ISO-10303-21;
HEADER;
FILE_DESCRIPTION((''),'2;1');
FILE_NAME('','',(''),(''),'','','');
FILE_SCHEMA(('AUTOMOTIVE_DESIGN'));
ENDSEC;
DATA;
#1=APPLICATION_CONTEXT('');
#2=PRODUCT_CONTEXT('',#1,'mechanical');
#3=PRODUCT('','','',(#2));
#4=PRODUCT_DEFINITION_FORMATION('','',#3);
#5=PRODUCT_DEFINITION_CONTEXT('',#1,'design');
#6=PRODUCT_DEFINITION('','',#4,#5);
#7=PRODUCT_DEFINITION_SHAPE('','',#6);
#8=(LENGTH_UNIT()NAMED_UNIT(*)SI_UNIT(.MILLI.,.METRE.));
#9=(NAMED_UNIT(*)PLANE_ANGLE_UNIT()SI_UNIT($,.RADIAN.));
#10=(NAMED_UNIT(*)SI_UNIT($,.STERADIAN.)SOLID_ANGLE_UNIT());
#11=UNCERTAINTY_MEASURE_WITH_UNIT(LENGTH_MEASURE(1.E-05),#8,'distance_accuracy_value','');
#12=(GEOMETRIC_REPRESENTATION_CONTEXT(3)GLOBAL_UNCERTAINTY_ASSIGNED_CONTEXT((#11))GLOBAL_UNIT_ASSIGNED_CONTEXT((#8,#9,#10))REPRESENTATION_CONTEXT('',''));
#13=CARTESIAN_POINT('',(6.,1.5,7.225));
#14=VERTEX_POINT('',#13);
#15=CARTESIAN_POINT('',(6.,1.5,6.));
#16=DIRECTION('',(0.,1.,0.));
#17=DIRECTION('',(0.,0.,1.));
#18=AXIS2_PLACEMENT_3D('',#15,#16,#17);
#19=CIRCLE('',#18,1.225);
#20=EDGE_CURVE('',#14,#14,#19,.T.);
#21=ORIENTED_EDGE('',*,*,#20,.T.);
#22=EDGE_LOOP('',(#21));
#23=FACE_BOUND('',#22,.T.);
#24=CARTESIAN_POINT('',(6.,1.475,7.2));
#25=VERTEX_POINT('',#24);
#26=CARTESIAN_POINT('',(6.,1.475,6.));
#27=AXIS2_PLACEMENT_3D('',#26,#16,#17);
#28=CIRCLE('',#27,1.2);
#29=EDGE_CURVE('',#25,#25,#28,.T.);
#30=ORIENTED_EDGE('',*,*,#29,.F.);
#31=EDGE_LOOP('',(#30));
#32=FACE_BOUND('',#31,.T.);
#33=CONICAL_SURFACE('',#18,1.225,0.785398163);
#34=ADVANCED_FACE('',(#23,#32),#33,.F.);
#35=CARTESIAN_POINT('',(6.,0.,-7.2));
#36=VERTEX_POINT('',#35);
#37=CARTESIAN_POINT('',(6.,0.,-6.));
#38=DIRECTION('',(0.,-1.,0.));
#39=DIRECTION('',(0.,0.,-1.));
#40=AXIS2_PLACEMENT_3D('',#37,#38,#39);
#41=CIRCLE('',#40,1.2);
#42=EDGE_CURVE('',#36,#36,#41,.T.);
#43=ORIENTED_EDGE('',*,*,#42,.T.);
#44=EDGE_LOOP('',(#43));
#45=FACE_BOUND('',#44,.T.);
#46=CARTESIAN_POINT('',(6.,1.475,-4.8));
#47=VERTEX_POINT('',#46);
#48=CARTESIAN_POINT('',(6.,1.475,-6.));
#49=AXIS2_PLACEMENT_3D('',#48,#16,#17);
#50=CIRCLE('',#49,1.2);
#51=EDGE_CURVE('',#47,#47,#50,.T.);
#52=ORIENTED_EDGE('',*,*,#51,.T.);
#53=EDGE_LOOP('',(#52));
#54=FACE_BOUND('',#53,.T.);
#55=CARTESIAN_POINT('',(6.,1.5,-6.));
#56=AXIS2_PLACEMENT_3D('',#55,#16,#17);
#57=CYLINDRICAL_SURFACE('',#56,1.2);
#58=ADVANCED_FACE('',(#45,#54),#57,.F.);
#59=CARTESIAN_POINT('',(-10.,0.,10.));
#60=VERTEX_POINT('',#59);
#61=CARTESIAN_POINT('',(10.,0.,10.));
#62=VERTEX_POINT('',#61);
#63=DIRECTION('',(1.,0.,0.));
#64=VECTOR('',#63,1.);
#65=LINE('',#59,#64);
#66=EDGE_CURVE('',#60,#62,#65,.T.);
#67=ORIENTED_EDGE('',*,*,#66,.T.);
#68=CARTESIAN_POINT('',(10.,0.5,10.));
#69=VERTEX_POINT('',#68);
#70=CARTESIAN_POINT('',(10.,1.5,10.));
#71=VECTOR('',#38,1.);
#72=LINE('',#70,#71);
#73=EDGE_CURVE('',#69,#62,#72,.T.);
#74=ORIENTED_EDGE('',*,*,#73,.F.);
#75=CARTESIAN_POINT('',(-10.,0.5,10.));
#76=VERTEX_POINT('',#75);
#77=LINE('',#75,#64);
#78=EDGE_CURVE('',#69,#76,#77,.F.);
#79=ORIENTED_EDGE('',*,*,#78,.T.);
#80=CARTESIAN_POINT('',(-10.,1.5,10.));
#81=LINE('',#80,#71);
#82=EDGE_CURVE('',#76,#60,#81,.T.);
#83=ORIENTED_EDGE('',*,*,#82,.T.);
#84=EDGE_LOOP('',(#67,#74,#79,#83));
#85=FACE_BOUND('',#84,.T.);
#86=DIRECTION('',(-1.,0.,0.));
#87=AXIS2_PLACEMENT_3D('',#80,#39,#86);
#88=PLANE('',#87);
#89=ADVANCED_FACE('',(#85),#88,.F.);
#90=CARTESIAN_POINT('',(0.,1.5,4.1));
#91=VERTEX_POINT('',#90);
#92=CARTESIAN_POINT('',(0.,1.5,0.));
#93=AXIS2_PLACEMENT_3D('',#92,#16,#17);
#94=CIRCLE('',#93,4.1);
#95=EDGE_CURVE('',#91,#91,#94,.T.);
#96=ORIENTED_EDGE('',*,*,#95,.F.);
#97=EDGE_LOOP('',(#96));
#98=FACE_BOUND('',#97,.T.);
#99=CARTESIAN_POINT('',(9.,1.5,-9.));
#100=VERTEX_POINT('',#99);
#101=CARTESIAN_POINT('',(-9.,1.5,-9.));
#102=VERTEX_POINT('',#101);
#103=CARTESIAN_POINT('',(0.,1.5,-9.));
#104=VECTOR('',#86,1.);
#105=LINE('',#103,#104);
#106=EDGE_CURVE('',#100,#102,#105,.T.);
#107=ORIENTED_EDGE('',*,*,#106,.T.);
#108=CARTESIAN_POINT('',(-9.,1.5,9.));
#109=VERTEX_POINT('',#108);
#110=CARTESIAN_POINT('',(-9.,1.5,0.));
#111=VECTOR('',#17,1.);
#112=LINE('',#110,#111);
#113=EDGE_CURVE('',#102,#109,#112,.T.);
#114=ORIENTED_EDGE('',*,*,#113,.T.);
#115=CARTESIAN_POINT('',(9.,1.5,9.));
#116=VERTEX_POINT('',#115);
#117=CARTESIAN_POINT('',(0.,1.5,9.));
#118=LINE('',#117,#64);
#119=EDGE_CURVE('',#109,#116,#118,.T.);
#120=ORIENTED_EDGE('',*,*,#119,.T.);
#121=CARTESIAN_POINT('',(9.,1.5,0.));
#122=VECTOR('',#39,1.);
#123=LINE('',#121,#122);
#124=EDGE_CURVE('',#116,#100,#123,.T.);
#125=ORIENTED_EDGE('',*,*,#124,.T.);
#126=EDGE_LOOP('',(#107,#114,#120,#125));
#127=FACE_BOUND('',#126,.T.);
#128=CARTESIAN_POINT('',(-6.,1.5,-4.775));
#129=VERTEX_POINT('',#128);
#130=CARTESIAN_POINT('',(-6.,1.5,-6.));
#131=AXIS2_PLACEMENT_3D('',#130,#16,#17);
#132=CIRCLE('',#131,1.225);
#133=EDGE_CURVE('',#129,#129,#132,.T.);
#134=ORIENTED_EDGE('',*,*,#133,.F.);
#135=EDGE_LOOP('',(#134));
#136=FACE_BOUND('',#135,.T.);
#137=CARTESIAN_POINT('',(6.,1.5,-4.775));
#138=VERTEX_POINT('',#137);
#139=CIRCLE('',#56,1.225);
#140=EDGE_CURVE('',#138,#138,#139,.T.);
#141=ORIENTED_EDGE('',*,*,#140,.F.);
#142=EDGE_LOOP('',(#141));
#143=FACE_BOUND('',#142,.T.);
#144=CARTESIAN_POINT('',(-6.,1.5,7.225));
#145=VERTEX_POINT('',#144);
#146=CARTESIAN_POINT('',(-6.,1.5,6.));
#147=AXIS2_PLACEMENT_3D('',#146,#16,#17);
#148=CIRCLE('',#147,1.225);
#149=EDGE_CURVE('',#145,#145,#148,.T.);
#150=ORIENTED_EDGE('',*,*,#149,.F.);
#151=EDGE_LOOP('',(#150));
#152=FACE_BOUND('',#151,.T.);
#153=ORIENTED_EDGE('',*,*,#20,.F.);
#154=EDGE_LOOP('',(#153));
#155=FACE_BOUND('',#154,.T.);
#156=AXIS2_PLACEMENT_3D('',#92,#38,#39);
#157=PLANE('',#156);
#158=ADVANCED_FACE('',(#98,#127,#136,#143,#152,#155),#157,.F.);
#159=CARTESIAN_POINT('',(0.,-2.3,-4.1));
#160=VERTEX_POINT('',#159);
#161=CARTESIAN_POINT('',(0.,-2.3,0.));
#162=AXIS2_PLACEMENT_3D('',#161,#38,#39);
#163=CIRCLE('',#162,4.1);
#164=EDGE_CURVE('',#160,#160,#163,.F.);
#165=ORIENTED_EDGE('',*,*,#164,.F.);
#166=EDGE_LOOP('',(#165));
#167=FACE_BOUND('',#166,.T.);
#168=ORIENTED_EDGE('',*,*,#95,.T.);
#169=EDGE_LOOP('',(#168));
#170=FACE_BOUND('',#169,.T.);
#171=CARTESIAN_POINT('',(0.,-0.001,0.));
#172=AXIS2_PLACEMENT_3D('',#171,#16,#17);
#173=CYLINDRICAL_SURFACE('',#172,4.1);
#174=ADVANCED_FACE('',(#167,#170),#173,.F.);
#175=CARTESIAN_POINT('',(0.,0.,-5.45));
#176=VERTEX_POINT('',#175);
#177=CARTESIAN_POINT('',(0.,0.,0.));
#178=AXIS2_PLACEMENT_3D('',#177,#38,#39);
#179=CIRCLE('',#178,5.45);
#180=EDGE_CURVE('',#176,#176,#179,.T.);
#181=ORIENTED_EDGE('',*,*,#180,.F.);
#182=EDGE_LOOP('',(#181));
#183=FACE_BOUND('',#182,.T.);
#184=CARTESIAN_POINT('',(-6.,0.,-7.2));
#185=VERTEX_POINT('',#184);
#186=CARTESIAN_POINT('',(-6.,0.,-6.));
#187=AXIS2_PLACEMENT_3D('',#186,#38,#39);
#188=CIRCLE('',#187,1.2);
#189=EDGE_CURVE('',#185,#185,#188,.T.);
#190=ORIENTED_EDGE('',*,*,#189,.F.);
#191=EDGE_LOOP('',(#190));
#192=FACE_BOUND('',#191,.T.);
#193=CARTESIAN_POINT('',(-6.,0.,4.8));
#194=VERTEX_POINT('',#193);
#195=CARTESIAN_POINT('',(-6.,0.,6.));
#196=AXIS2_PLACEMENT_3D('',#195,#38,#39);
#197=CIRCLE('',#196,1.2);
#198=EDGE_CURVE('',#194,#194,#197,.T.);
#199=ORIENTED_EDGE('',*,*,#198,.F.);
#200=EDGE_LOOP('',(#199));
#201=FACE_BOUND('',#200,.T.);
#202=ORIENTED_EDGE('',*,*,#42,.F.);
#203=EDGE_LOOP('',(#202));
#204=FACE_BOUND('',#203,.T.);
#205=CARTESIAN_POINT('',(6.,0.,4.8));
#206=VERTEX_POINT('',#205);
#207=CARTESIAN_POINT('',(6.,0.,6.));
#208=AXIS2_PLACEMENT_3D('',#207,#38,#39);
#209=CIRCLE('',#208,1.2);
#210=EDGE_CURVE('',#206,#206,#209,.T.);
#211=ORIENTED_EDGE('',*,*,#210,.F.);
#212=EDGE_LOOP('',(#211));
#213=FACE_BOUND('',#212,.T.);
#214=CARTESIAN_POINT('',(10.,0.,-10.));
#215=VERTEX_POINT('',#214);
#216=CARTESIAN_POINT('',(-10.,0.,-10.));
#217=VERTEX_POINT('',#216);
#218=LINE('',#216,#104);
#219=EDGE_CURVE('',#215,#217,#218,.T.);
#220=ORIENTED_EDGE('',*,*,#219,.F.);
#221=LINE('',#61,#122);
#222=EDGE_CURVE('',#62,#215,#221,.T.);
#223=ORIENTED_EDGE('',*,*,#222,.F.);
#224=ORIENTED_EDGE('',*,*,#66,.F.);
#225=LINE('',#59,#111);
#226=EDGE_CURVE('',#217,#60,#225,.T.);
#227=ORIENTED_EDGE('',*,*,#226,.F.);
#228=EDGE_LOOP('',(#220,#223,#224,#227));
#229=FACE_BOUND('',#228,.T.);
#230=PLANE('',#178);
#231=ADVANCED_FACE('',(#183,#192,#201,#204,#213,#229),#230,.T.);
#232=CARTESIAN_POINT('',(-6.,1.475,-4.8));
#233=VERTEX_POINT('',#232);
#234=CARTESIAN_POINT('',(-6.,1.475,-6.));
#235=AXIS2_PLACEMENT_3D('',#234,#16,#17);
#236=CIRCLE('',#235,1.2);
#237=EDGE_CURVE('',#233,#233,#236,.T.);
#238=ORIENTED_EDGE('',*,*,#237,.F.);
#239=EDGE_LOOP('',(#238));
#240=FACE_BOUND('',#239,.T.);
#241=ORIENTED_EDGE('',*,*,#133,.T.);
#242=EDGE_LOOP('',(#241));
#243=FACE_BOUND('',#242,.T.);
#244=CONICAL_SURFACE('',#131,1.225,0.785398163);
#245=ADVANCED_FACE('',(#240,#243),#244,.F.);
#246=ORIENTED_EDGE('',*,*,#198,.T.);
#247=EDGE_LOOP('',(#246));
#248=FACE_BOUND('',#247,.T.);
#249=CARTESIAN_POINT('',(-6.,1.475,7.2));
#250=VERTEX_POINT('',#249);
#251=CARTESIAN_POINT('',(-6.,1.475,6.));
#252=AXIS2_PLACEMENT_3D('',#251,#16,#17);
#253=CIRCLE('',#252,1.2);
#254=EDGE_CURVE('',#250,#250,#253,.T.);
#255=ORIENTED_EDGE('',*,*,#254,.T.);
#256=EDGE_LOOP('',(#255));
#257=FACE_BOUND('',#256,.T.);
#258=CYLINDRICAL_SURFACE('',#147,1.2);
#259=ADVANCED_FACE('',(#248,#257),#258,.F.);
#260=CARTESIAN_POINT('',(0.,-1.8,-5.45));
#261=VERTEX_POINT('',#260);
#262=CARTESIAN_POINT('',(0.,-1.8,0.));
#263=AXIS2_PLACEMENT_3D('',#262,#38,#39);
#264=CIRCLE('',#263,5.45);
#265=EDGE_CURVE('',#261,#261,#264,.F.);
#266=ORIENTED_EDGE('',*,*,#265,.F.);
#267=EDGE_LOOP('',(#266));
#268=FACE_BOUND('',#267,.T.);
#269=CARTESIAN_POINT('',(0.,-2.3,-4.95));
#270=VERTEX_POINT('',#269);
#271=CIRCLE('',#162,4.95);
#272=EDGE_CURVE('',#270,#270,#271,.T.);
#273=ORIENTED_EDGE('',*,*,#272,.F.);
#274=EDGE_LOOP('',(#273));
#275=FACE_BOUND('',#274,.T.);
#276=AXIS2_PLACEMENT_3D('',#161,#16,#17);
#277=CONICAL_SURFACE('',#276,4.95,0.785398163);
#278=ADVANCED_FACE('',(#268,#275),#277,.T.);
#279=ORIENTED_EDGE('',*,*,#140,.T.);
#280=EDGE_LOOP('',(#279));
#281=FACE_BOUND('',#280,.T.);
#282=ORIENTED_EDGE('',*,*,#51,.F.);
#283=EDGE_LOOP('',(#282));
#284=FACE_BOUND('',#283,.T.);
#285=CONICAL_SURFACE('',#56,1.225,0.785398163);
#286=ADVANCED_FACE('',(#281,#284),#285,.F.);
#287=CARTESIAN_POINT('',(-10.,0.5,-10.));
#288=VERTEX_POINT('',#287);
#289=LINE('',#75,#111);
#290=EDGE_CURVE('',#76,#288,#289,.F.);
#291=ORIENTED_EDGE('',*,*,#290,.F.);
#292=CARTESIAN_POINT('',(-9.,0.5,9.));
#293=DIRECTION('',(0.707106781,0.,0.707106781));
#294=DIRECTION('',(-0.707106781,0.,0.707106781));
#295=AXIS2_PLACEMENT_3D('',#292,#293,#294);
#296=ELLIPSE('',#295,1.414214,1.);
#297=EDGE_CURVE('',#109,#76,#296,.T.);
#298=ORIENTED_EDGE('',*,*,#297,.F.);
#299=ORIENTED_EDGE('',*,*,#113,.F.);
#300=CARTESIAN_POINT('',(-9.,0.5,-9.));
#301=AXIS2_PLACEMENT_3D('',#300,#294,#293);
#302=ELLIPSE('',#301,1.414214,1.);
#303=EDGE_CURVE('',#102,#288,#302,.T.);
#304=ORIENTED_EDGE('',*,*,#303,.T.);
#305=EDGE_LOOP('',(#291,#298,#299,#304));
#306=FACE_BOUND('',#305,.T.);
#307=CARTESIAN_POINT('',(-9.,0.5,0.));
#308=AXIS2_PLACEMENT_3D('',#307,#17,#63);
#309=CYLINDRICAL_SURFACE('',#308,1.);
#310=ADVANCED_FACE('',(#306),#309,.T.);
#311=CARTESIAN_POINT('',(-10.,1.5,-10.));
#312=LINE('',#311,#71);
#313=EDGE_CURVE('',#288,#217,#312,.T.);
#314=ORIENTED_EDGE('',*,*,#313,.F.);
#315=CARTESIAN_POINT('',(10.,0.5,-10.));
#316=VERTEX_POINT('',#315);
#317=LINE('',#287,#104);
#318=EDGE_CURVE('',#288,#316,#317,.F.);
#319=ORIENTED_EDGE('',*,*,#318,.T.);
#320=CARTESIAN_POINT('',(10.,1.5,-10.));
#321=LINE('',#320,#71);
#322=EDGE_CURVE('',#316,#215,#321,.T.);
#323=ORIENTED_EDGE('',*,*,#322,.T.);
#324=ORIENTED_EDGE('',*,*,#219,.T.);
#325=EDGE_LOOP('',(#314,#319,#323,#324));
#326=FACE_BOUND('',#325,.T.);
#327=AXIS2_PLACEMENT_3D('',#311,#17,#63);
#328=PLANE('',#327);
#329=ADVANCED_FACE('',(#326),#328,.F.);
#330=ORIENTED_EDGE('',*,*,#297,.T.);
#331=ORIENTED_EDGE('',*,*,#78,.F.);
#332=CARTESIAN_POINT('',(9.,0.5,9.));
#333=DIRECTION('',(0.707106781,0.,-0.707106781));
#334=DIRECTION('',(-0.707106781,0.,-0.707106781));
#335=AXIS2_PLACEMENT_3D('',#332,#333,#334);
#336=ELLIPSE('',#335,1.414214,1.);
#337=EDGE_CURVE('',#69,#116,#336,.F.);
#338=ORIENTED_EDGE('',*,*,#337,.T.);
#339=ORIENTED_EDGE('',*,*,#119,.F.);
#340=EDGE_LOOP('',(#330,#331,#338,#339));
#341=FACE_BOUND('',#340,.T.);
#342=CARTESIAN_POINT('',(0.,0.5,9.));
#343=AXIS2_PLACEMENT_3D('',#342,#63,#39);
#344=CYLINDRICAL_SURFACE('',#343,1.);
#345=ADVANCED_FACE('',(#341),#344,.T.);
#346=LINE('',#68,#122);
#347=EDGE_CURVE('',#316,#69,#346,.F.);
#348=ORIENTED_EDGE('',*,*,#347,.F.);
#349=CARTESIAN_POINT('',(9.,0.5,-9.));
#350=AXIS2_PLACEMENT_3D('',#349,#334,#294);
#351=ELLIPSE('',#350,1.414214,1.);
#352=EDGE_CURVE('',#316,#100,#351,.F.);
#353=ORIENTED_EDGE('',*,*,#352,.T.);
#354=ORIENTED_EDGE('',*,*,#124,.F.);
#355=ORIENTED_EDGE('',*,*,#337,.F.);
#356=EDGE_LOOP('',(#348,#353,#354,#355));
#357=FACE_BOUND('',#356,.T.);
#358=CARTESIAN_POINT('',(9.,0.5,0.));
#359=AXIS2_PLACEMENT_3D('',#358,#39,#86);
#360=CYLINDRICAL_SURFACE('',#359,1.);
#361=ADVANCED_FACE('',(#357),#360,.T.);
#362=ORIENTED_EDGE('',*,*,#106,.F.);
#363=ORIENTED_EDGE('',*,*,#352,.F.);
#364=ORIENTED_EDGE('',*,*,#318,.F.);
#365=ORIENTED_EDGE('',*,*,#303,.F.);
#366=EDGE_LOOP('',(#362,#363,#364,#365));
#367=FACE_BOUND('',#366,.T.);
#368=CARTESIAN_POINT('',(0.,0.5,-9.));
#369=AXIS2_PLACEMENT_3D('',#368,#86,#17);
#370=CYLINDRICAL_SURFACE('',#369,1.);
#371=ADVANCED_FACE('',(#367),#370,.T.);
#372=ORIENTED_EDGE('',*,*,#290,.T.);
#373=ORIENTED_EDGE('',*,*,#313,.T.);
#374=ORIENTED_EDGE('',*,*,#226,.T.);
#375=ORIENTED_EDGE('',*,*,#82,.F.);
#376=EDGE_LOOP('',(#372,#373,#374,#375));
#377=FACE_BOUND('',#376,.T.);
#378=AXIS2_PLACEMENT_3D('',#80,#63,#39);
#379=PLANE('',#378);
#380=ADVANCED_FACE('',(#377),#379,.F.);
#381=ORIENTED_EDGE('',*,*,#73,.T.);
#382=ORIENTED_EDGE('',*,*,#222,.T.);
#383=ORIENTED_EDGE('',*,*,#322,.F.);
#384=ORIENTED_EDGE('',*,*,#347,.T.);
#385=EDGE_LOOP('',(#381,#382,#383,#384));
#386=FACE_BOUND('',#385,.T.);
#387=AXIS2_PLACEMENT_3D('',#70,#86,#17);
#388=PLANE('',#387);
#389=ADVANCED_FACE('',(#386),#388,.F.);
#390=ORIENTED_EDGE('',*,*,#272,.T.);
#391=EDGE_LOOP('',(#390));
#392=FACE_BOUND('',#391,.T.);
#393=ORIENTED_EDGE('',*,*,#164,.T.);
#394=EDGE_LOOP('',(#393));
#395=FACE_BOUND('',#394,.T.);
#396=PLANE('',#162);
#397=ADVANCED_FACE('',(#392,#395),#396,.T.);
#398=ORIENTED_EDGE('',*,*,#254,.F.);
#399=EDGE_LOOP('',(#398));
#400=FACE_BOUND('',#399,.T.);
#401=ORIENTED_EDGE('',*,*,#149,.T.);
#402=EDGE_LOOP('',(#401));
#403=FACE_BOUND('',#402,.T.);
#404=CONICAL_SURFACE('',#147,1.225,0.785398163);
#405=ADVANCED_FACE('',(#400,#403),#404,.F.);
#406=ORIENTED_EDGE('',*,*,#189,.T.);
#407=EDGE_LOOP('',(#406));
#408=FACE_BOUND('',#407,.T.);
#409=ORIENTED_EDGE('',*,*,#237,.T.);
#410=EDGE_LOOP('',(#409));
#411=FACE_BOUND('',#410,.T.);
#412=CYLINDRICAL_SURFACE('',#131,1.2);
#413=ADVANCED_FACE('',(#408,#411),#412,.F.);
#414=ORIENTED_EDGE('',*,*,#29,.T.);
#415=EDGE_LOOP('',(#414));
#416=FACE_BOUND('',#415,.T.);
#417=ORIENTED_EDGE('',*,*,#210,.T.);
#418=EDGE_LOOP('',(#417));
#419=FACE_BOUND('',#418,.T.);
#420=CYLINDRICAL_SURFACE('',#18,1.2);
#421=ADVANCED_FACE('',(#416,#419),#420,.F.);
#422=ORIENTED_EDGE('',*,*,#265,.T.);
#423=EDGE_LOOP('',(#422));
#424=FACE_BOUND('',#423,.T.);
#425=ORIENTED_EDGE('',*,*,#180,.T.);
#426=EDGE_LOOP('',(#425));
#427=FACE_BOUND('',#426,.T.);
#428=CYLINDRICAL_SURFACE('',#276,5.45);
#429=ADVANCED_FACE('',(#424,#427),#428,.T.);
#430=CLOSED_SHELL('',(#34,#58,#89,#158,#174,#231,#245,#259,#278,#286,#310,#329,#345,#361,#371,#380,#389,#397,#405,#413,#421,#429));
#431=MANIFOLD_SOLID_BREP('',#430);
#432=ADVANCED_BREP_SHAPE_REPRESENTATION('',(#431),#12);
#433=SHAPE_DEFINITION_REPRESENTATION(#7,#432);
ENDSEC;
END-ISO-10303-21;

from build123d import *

# Parameters (mm, degrees)
SKETCH1_W                      = 20
SKETCH1_H                      = 20
BOSS_EXTRUDE1_DEPTH            = 1.5
M2_CLEARANCE_HOLE1_D           = 2.4
M2_CLEARANCE_HOLE1_CSINK_D     = 2.45
M2_CLEARANCE_HOLE1_CSINK_ANGLE = 90
FILLET1_R                      = 1
CUT_EXTRUDE1_REACH             = 16.221
SKETCH2_R                      = 4.1
SKETCH6_R                      = 5.45
SKETCH6_R_2                    = 4.1
BOSS_EXTRUDE2_DEPTH            = 2.3
CHAMFER1_SIZE                  = 0.5


with BuildPart() as part:
    # Sketch1 → Boss-Extrude1 (new body)
    with BuildSketch(Plane(origin=(0, 0, 0), x_dir=(1, 0, 0), z_dir=(0, 1, 0))):
        Rectangle(SKETCH1_W, SKETCH1_H)
    extrude(amount=BOSS_EXTRUDE1_DEPTH)

    # M2 Clearance Hole1 (through all)
    with Locations(Plane(origin=(0, 1.5, 0), x_dir=(1, 0, 0), z_dir=(0, 1, 0))):
        with Locations((-6, 6), (6, 6), (-6, -6), (6, -6)):
            CounterSinkHole(M2_CLEARANCE_HOLE1_D / 2, M2_CLEARANCE_HOLE1_CSINK_D / 2, counter_sink_angle=M2_CLEARANCE_HOLE1_CSINK_ANGLE)

    # Fillet1
    fillet1_edges = [part.edges().sort_by_distance(p)[0] for p in [
        (-10, 1.5, 0),
        (0, 1.5, 10),
        (10, 1.5, 0),
        (0, 1.5, -10),
    ]]
    fillet(fillet1_edges, radius=FILLET1_R)

    # Sketch2 → Cut-Extrude1 (cut, up to next)
    with BuildSketch(Plane(origin=(0, 1.5, 0), x_dir=(1, 0, 0), z_dir=(0, 1, 0)), mode=Mode.PRIVATE) as cut_extrude1_sk1:
        with Locations(Location((0, 0, 0), (0, 0, 270))):
            Circle(SKETCH2_R)
    cut_extrude1_tool1 = extrude(cut_extrude1_sk1.sketch, amount=-CUT_EXTRUDE1_REACH, mode=Mode.PRIVATE) & part.part
    add(cut_extrude1_tool1.solids().sort_by_distance((0, 1.5, 0))[0], mode=Mode.SUBTRACT)

    # Sketch6 → Boss-Extrude2 (add)
    with BuildSketch(Plane.XZ):
        with Locations(Location((0, 0, 0), (0, 0, 270))):
            Circle(SKETCH6_R)
        with Locations(Location((0, 0, 0), (0, 0, 90))):
            Circle(SKETCH6_R_2, mode=Mode.SUBTRACT)
    extrude(amount=BOSS_EXTRUDE2_DEPTH)

    # Chamfer1
    chamfer1_edges = [part.edges().sort_by_distance(p)[0] for p in [
        (0, -2.3, 5.45),
    ]]
    chamfer(chamfer1_edges, length=CHAMFER1_SIZE)


solid = part.part
